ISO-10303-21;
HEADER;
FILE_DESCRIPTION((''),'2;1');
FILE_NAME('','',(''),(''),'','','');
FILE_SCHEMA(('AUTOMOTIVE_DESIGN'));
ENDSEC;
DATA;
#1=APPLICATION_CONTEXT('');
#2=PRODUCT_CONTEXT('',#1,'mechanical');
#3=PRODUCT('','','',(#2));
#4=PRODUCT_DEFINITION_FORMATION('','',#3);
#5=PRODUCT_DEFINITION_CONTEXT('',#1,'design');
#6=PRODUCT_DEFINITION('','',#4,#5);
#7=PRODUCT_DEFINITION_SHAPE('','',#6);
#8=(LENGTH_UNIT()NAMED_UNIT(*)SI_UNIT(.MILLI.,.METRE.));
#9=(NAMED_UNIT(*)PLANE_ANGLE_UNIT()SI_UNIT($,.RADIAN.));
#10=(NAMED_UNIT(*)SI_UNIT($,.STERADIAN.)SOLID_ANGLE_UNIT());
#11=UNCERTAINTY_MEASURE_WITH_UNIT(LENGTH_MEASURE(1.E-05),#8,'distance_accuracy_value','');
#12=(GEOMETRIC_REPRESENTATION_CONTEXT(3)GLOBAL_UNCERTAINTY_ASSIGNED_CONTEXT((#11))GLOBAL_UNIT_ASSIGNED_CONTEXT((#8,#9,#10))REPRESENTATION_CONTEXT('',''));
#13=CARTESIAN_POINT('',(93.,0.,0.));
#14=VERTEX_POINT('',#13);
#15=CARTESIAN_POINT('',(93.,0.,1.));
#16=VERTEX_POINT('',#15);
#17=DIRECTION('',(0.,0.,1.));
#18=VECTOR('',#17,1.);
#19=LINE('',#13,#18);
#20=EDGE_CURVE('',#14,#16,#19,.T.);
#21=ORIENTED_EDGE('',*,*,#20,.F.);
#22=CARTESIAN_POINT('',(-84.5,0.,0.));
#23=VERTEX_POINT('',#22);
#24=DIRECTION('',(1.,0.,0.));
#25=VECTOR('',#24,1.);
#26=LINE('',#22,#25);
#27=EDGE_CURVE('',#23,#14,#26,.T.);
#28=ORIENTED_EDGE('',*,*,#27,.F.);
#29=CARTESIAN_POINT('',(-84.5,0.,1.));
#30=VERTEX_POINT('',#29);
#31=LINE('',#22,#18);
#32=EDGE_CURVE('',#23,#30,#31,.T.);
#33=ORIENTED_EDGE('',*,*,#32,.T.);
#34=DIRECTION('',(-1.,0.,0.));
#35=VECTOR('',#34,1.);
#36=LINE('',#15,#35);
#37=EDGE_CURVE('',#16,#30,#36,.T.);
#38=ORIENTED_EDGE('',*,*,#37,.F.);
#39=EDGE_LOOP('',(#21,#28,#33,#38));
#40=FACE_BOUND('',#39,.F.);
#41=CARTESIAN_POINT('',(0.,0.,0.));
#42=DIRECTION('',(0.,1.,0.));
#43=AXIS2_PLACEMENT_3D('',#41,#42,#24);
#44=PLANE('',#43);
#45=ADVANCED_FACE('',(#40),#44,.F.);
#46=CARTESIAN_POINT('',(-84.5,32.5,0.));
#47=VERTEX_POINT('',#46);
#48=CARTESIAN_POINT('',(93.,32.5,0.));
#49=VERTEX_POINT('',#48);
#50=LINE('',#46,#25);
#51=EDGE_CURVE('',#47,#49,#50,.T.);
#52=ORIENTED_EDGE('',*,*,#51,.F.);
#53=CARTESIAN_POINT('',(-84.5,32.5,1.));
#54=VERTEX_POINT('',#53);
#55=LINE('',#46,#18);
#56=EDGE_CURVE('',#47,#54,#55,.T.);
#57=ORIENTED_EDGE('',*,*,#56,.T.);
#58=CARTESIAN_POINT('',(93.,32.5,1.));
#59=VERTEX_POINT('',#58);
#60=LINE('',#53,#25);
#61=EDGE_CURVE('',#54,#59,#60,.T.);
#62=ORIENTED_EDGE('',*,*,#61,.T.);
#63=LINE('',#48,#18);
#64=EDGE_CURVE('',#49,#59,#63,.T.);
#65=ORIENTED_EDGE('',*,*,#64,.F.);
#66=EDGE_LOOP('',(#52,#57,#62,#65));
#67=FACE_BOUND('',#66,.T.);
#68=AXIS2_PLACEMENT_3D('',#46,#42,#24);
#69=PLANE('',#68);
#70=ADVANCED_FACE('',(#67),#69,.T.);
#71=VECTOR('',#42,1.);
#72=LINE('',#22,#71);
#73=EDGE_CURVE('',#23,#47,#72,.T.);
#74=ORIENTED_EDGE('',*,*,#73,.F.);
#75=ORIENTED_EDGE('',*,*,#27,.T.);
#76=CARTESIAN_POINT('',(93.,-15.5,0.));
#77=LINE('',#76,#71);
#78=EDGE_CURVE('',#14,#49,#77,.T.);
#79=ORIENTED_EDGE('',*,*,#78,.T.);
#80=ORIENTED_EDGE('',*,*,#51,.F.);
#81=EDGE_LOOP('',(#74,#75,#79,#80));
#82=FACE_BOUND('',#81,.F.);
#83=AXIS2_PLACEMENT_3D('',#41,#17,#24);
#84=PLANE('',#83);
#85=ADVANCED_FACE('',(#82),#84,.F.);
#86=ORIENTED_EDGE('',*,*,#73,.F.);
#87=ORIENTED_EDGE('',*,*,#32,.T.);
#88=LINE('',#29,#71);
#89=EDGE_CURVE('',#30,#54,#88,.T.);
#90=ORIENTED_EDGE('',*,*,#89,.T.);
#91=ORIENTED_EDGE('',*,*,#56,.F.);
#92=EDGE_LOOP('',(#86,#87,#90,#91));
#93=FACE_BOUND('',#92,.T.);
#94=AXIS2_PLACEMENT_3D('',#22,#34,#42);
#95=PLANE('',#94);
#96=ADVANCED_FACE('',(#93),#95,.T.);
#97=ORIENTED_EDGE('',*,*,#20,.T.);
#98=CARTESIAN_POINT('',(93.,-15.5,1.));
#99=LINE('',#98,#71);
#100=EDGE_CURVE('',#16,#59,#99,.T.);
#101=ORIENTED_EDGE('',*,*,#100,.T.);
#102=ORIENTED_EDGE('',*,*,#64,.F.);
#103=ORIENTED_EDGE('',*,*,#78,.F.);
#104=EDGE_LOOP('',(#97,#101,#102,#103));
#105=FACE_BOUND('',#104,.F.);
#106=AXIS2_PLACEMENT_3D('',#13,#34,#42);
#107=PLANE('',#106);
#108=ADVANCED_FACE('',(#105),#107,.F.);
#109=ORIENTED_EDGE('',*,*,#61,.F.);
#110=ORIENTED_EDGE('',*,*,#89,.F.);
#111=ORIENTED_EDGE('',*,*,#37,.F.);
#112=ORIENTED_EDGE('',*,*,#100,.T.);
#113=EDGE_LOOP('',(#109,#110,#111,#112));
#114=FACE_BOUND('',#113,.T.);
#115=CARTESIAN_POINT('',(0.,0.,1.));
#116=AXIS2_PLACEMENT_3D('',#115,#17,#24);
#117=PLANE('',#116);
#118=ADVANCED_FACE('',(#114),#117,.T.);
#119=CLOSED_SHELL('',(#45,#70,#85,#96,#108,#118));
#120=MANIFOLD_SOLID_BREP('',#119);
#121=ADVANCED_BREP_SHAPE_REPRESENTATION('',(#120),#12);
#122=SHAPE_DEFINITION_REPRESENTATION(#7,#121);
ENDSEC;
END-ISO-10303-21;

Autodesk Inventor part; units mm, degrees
ref_plane "YZ Plane" through (0, 0, 0) normal (1, 0, 0) x (0, 1, 0)
ref_plane "XZ Plane" through (0, 0, 0) normal (0, 1, 0) x (-1, 0, 0)
ref_plane "XY Plane" through (0, 0, 0) normal (0, 0, 1) x (1, 0, 0)
sketch "Sketch1" plane through (0, 0, 0) normal (0, 0, 1) x (1, 0, 0)
  line L0 (0, 0) -> (9, 0) projected
  line L1 (9, 0) -> (9, 3) projected
  line L2 (0, 3) -> (9, 3) projected
  line L3 (0, 0) -> (0, 3) projected
  line L4 (-84.5, 32.5) -> (93.5, 32.5)
  line L5 (93.5, 32.5) -> (93.5, 0)
  line L6 (93.5, 0) -> (-84.5, 0)
  line L7 (-84.5, 0) -> (-84.5, 32.5)
  line L8 (93, -15.5) -> (93, 34.5) projected
  point P0 (93, 0)
  point P1 (93, 32.5)
  dimension "d0" = 178
  dimension "d1" = 84.5
  dimension "d2" = 84.5
  dimension "d4" = 2
extrude "Extrusion1" add sketch "Sketch1" along normal blind 1 contours L3 L2 L1 L0 | L6 L7 L4 L8 L1 L2 L3
equation "\"d1\" = d2"
properties part number "back"
